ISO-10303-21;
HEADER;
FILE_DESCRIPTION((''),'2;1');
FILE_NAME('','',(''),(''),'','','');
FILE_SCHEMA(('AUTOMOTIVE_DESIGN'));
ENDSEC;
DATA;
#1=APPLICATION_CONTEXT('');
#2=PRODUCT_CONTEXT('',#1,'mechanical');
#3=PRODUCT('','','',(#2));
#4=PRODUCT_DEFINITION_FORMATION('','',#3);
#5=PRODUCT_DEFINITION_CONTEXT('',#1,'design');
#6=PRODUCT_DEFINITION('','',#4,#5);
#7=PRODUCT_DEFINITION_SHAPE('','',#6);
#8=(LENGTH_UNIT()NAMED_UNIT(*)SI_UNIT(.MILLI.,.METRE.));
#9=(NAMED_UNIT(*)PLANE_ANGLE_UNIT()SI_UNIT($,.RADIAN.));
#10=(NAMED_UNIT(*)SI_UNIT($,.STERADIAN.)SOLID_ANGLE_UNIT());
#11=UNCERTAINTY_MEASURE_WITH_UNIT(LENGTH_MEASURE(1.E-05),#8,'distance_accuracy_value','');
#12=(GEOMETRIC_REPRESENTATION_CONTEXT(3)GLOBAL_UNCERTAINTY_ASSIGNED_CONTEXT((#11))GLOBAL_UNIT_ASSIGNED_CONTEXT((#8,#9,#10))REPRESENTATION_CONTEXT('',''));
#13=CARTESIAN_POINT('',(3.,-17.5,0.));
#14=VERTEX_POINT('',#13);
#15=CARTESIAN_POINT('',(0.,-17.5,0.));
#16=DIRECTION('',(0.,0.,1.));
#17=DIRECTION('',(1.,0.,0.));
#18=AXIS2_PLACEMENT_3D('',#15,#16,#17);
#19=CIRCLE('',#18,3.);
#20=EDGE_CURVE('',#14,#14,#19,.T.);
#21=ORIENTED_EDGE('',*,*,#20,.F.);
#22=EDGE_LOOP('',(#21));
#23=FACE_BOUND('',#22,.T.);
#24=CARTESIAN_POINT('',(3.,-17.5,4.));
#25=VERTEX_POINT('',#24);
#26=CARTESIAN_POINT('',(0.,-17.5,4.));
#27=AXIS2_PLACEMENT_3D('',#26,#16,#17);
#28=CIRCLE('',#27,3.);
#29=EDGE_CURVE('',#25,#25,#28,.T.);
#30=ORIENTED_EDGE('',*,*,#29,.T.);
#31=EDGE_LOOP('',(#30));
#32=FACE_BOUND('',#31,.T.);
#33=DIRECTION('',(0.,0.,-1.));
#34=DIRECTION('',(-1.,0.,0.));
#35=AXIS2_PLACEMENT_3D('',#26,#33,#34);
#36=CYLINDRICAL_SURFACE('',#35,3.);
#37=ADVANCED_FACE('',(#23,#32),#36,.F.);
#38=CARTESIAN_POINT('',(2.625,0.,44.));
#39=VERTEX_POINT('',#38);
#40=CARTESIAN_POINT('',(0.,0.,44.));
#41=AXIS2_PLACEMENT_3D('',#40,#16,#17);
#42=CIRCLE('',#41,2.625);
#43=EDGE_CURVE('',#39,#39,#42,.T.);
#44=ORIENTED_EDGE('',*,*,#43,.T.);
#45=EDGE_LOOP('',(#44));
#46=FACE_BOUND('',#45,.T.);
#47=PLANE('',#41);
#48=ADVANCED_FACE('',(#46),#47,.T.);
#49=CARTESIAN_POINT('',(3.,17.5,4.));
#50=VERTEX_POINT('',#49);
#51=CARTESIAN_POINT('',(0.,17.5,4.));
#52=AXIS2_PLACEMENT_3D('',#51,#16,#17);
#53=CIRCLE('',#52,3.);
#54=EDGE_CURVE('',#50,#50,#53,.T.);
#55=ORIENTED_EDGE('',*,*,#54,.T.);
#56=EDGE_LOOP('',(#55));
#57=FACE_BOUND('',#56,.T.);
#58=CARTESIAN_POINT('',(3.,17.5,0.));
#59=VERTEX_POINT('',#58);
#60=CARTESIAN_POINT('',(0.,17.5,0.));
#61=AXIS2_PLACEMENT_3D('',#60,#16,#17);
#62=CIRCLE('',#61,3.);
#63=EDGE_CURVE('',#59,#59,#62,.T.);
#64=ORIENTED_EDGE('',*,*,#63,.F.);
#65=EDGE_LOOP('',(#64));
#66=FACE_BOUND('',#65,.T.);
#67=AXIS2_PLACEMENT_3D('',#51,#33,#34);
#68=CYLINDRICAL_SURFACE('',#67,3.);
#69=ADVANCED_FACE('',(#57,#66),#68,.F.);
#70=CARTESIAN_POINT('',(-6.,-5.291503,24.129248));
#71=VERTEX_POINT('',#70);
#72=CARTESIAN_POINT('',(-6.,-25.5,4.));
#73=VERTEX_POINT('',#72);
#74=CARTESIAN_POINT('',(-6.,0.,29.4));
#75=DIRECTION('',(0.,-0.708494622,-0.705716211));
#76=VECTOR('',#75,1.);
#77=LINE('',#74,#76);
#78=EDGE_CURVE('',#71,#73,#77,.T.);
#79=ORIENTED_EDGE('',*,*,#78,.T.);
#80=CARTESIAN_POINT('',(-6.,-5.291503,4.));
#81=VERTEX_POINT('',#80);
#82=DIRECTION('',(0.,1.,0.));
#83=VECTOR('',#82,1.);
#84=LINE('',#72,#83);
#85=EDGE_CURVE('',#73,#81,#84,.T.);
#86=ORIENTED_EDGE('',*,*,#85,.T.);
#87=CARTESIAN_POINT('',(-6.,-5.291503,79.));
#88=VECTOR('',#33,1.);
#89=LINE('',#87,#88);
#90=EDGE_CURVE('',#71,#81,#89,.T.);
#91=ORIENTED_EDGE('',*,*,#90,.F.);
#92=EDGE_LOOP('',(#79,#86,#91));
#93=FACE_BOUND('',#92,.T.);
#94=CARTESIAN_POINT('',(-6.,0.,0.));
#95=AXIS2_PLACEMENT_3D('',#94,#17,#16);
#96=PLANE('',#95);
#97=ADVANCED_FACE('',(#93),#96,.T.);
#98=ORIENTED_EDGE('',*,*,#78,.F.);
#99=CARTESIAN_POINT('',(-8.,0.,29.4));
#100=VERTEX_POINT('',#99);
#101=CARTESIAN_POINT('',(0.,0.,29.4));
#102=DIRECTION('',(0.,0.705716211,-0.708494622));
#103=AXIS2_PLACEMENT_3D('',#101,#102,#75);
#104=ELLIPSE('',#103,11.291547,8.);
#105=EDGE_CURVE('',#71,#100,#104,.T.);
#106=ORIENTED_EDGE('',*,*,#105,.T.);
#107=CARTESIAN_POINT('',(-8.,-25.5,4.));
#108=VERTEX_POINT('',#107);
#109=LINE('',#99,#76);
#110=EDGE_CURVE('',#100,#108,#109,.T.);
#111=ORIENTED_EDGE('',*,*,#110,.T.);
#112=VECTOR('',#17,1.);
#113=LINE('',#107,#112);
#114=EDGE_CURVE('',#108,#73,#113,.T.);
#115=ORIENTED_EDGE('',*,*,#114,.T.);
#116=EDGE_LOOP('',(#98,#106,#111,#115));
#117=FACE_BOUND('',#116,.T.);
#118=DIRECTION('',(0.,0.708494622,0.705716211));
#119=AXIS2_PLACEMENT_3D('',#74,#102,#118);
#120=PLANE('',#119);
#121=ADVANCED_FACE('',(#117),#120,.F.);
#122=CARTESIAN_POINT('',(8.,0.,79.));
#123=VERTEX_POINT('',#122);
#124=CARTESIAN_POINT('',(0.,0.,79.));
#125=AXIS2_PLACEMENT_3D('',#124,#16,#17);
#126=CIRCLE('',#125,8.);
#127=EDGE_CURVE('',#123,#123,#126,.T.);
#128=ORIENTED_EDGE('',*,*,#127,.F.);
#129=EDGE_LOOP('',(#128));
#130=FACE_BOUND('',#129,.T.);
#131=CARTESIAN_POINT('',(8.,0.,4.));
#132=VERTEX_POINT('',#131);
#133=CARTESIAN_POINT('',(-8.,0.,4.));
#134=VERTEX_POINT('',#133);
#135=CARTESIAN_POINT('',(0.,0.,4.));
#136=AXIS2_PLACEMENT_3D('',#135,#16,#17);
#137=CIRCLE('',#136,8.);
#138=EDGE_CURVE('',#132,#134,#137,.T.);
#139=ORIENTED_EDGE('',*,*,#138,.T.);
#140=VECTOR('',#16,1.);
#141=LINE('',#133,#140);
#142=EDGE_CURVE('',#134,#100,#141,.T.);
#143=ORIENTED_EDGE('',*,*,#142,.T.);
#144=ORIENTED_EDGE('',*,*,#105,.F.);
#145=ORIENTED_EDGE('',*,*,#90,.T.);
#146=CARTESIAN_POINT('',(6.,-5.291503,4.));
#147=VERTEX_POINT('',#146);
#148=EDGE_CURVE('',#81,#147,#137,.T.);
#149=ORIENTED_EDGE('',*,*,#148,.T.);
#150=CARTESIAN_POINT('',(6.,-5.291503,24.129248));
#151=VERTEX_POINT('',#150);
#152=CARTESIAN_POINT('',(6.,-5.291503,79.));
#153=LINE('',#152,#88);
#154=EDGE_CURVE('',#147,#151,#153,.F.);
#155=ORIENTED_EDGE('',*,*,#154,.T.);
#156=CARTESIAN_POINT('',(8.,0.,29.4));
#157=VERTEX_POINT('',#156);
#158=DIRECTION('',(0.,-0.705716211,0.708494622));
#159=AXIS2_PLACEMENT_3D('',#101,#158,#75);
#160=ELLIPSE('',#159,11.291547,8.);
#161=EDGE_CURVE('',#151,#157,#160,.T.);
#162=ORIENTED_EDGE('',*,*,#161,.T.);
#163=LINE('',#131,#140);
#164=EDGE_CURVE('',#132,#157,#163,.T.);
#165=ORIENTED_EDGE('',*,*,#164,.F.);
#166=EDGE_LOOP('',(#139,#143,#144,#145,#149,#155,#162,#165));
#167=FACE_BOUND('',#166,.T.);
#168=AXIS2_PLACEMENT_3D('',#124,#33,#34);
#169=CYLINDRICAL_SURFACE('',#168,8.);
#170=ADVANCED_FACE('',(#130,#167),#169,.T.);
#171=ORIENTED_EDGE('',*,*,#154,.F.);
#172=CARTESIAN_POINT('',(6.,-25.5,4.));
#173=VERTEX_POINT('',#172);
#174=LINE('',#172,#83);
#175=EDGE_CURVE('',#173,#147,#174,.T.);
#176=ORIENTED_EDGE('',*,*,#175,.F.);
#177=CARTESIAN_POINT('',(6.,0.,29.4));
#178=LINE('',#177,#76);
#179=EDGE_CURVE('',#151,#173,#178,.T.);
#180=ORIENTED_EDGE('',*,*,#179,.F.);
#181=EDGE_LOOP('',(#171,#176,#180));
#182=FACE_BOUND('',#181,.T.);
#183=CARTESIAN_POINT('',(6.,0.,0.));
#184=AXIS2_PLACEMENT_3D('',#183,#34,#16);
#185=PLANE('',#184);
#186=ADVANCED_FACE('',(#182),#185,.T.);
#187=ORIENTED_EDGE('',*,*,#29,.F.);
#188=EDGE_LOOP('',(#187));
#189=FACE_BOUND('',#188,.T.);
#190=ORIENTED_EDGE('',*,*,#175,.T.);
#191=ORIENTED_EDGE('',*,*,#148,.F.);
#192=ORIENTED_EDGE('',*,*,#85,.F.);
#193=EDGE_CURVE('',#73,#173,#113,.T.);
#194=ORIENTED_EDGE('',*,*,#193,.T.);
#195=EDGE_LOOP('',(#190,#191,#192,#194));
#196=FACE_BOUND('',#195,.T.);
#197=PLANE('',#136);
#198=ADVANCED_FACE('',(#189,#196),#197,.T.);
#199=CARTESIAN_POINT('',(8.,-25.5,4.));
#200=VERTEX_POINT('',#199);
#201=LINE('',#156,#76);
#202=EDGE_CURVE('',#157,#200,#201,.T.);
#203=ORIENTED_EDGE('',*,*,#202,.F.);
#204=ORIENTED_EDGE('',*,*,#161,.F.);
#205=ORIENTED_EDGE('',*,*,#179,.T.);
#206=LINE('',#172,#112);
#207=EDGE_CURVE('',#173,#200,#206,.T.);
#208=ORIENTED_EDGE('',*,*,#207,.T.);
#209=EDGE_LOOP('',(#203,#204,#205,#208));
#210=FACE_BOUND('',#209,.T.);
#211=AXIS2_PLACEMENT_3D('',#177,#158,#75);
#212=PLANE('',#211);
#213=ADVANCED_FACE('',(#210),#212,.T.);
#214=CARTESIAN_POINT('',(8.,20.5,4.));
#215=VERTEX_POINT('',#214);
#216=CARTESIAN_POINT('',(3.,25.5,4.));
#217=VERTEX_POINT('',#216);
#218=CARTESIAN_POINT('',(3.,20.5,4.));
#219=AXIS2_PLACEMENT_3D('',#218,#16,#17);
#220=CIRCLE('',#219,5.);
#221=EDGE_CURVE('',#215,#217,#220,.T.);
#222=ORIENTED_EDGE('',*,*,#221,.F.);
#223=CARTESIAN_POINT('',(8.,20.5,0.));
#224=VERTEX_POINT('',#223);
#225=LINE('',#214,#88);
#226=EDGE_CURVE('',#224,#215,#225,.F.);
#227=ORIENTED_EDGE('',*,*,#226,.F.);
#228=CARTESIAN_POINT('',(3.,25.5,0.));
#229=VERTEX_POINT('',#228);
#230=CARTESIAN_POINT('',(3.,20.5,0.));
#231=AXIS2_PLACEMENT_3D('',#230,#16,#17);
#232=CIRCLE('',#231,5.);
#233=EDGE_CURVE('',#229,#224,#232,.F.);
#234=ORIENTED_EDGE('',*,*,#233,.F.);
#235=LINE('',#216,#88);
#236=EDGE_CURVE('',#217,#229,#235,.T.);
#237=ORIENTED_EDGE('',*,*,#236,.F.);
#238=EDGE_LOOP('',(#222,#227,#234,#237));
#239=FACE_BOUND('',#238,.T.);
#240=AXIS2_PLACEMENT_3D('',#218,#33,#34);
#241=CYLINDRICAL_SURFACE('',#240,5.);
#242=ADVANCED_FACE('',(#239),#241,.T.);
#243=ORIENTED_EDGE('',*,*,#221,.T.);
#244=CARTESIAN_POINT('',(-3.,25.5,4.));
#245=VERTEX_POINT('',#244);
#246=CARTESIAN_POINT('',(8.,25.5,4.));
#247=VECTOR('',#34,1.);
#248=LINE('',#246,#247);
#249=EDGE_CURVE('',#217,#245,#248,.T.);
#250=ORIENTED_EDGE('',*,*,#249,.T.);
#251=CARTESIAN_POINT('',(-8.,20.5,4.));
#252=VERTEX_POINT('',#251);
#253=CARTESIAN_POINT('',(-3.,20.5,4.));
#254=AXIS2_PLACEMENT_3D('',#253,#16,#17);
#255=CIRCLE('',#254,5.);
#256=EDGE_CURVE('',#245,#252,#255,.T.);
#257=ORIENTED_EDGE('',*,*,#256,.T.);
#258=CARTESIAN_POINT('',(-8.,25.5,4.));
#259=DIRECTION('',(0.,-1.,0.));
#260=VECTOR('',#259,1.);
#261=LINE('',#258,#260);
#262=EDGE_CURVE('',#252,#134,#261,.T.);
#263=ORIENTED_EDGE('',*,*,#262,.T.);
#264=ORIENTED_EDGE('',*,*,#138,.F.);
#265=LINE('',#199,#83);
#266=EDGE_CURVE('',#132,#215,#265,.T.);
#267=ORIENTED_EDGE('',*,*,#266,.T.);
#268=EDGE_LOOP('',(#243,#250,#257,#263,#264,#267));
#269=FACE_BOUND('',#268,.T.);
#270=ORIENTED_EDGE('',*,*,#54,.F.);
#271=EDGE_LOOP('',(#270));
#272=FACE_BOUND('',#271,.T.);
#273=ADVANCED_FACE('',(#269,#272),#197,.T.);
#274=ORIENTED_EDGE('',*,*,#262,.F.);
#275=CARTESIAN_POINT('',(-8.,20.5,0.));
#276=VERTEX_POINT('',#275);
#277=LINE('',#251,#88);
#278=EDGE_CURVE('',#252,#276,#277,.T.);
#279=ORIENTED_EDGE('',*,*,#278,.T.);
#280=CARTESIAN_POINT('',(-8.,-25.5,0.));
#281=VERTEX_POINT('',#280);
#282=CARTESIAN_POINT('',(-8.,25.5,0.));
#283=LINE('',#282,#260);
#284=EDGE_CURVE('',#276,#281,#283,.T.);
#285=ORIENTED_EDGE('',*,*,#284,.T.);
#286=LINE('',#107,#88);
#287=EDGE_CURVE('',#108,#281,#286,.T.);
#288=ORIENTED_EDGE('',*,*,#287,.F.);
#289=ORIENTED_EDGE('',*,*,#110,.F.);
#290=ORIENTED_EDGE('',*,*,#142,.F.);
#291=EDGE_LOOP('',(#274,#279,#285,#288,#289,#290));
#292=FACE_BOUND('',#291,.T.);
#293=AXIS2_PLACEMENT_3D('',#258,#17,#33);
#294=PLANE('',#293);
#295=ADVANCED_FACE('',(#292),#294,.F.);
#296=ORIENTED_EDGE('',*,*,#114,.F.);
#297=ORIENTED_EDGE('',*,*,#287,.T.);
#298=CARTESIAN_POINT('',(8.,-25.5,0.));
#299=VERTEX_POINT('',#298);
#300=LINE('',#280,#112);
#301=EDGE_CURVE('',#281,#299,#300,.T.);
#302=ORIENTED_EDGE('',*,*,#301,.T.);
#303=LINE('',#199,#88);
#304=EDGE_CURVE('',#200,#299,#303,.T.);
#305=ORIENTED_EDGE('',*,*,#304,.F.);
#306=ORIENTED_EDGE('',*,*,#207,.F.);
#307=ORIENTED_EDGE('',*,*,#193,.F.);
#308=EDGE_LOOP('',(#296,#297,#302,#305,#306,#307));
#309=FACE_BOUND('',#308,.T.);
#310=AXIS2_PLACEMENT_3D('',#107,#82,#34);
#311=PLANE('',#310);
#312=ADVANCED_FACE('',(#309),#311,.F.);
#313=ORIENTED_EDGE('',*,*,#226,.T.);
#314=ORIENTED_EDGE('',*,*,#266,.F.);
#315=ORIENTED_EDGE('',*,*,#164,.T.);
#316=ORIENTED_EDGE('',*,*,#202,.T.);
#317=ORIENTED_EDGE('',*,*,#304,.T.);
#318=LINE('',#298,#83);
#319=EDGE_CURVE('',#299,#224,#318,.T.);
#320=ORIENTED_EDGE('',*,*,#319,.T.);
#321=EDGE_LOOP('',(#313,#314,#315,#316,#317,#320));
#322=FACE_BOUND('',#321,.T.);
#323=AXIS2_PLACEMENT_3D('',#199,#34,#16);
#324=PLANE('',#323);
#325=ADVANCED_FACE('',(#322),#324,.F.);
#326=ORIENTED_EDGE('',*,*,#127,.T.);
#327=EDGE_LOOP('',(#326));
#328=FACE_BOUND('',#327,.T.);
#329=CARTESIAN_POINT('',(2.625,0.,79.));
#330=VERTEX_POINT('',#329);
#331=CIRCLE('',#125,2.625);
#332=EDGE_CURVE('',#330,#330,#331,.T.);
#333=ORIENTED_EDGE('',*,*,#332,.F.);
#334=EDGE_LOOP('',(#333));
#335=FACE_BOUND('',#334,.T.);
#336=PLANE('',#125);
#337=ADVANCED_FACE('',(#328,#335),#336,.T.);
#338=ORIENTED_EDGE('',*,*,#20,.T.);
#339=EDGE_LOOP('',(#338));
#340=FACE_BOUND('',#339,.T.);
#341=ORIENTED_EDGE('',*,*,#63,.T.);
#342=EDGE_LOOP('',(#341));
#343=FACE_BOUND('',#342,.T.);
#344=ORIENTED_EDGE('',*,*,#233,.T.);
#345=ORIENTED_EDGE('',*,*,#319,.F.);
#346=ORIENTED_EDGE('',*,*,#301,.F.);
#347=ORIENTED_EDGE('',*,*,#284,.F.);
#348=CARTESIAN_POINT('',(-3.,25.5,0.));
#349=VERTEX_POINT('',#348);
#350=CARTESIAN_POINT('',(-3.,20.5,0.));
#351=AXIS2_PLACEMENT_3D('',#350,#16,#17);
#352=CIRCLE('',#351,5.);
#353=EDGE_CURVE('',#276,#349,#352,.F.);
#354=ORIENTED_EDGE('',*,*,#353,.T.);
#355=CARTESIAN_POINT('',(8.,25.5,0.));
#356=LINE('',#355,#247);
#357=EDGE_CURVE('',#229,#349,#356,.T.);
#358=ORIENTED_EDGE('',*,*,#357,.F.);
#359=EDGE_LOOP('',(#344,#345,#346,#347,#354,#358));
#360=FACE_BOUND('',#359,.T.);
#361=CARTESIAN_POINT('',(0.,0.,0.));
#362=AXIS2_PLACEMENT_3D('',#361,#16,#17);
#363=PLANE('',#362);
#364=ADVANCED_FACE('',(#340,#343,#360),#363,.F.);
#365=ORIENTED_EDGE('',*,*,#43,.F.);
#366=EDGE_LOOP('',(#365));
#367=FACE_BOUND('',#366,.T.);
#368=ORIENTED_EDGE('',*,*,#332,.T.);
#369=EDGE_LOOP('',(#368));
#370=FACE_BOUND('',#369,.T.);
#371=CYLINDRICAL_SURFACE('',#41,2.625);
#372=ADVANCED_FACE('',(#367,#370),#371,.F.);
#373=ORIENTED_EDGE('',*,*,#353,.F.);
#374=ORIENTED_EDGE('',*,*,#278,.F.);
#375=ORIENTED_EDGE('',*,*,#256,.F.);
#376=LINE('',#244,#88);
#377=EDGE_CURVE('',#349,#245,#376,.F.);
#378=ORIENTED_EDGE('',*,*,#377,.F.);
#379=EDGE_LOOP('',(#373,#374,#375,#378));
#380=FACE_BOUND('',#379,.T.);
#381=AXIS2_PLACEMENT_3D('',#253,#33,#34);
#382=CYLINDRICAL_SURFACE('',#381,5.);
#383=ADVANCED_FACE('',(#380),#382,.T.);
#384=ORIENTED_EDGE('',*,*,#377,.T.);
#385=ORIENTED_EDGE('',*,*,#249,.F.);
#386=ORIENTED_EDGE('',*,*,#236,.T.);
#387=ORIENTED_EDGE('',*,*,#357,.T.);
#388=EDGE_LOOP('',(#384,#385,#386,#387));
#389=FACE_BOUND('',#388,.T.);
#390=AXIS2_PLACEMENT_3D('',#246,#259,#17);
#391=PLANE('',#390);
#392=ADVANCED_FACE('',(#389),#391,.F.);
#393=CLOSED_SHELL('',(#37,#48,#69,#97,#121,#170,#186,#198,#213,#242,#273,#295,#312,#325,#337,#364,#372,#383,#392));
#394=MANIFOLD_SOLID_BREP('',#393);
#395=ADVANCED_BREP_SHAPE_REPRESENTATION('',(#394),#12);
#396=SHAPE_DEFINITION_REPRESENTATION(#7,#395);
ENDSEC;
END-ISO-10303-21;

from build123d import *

# Parameters (mm, degrees)
SKETCH1_W           = 16
SKETCH1_H           = 51
SKETCH1_R           = 3
BOSS_EXTRUDE1_DEPTH = 4
SKETCH2_R           = 8
BOSS_EXTRUDE2_DEPTH = 75
BOSS_EXTRUDE3_DEPTH = 2
SKETCH5_R           = 2.625
CUT_EXTRUDE1_DEPTH  = 35
FILLET1_R           = 5


with BuildPart() as part:
    # Sketch1 → Boss-Extrude1 (new body)
    with BuildSketch(Plane.XY):
        Rectangle(SKETCH1_W, SKETCH1_H)
        with Locations((0, 17.5)):
            Circle(SKETCH1_R, mode=Mode.SUBTRACT)
        with Locations((0, -17.5)):
            Circle(SKETCH1_R, mode=Mode.SUBTRACT)
    extrude(amount=BOSS_EXTRUDE1_DEPTH)

    # Sketch2 → Boss-Extrude2 (add)
    with BuildSketch(Plane.XY.offset(4)):
        Circle(SKETCH2_R)
    extrude(amount=BOSS_EXTRUDE2_DEPTH)

    # Sketch4 → Boss-Extrude3 (add)
    with BuildSketch(Plane(origin=(8, 0, 0), x_dir=(0, 0, -1), z_dir=(1, 0, 0))):
        Polygon((-4, 0), (-29.4, 0), (-4, -25.5), align=None)
    boss_extrude3 = extrude(amount=-BOSS_EXTRUDE3_DEPTH)

    # Mirror1: Boss-Extrude3 across plane
    add(boss_extrude3.mirror(Plane(origin=(0, 0, 0), x_dir=(0, 0, 1), z_dir=(1, 0, 0))))

    # Sketch5 → Cut-Extrude1 (cut)
    with BuildSketch(Plane.XY.offset(79)):
        Circle(SKETCH5_R)
    extrude(amount=-CUT_EXTRUDE1_DEPTH, mode=Mode.SUBTRACT)

    # Fillet1
    fillet1_edges = [part.edges().sort_by_distance(p)[0] for p in [
        (-8, 25.5, 2),
        (8, 25.5, 2),
    ]]
    fillet(fillet1_edges, radius=FILLET1_R)


solid = part.part
